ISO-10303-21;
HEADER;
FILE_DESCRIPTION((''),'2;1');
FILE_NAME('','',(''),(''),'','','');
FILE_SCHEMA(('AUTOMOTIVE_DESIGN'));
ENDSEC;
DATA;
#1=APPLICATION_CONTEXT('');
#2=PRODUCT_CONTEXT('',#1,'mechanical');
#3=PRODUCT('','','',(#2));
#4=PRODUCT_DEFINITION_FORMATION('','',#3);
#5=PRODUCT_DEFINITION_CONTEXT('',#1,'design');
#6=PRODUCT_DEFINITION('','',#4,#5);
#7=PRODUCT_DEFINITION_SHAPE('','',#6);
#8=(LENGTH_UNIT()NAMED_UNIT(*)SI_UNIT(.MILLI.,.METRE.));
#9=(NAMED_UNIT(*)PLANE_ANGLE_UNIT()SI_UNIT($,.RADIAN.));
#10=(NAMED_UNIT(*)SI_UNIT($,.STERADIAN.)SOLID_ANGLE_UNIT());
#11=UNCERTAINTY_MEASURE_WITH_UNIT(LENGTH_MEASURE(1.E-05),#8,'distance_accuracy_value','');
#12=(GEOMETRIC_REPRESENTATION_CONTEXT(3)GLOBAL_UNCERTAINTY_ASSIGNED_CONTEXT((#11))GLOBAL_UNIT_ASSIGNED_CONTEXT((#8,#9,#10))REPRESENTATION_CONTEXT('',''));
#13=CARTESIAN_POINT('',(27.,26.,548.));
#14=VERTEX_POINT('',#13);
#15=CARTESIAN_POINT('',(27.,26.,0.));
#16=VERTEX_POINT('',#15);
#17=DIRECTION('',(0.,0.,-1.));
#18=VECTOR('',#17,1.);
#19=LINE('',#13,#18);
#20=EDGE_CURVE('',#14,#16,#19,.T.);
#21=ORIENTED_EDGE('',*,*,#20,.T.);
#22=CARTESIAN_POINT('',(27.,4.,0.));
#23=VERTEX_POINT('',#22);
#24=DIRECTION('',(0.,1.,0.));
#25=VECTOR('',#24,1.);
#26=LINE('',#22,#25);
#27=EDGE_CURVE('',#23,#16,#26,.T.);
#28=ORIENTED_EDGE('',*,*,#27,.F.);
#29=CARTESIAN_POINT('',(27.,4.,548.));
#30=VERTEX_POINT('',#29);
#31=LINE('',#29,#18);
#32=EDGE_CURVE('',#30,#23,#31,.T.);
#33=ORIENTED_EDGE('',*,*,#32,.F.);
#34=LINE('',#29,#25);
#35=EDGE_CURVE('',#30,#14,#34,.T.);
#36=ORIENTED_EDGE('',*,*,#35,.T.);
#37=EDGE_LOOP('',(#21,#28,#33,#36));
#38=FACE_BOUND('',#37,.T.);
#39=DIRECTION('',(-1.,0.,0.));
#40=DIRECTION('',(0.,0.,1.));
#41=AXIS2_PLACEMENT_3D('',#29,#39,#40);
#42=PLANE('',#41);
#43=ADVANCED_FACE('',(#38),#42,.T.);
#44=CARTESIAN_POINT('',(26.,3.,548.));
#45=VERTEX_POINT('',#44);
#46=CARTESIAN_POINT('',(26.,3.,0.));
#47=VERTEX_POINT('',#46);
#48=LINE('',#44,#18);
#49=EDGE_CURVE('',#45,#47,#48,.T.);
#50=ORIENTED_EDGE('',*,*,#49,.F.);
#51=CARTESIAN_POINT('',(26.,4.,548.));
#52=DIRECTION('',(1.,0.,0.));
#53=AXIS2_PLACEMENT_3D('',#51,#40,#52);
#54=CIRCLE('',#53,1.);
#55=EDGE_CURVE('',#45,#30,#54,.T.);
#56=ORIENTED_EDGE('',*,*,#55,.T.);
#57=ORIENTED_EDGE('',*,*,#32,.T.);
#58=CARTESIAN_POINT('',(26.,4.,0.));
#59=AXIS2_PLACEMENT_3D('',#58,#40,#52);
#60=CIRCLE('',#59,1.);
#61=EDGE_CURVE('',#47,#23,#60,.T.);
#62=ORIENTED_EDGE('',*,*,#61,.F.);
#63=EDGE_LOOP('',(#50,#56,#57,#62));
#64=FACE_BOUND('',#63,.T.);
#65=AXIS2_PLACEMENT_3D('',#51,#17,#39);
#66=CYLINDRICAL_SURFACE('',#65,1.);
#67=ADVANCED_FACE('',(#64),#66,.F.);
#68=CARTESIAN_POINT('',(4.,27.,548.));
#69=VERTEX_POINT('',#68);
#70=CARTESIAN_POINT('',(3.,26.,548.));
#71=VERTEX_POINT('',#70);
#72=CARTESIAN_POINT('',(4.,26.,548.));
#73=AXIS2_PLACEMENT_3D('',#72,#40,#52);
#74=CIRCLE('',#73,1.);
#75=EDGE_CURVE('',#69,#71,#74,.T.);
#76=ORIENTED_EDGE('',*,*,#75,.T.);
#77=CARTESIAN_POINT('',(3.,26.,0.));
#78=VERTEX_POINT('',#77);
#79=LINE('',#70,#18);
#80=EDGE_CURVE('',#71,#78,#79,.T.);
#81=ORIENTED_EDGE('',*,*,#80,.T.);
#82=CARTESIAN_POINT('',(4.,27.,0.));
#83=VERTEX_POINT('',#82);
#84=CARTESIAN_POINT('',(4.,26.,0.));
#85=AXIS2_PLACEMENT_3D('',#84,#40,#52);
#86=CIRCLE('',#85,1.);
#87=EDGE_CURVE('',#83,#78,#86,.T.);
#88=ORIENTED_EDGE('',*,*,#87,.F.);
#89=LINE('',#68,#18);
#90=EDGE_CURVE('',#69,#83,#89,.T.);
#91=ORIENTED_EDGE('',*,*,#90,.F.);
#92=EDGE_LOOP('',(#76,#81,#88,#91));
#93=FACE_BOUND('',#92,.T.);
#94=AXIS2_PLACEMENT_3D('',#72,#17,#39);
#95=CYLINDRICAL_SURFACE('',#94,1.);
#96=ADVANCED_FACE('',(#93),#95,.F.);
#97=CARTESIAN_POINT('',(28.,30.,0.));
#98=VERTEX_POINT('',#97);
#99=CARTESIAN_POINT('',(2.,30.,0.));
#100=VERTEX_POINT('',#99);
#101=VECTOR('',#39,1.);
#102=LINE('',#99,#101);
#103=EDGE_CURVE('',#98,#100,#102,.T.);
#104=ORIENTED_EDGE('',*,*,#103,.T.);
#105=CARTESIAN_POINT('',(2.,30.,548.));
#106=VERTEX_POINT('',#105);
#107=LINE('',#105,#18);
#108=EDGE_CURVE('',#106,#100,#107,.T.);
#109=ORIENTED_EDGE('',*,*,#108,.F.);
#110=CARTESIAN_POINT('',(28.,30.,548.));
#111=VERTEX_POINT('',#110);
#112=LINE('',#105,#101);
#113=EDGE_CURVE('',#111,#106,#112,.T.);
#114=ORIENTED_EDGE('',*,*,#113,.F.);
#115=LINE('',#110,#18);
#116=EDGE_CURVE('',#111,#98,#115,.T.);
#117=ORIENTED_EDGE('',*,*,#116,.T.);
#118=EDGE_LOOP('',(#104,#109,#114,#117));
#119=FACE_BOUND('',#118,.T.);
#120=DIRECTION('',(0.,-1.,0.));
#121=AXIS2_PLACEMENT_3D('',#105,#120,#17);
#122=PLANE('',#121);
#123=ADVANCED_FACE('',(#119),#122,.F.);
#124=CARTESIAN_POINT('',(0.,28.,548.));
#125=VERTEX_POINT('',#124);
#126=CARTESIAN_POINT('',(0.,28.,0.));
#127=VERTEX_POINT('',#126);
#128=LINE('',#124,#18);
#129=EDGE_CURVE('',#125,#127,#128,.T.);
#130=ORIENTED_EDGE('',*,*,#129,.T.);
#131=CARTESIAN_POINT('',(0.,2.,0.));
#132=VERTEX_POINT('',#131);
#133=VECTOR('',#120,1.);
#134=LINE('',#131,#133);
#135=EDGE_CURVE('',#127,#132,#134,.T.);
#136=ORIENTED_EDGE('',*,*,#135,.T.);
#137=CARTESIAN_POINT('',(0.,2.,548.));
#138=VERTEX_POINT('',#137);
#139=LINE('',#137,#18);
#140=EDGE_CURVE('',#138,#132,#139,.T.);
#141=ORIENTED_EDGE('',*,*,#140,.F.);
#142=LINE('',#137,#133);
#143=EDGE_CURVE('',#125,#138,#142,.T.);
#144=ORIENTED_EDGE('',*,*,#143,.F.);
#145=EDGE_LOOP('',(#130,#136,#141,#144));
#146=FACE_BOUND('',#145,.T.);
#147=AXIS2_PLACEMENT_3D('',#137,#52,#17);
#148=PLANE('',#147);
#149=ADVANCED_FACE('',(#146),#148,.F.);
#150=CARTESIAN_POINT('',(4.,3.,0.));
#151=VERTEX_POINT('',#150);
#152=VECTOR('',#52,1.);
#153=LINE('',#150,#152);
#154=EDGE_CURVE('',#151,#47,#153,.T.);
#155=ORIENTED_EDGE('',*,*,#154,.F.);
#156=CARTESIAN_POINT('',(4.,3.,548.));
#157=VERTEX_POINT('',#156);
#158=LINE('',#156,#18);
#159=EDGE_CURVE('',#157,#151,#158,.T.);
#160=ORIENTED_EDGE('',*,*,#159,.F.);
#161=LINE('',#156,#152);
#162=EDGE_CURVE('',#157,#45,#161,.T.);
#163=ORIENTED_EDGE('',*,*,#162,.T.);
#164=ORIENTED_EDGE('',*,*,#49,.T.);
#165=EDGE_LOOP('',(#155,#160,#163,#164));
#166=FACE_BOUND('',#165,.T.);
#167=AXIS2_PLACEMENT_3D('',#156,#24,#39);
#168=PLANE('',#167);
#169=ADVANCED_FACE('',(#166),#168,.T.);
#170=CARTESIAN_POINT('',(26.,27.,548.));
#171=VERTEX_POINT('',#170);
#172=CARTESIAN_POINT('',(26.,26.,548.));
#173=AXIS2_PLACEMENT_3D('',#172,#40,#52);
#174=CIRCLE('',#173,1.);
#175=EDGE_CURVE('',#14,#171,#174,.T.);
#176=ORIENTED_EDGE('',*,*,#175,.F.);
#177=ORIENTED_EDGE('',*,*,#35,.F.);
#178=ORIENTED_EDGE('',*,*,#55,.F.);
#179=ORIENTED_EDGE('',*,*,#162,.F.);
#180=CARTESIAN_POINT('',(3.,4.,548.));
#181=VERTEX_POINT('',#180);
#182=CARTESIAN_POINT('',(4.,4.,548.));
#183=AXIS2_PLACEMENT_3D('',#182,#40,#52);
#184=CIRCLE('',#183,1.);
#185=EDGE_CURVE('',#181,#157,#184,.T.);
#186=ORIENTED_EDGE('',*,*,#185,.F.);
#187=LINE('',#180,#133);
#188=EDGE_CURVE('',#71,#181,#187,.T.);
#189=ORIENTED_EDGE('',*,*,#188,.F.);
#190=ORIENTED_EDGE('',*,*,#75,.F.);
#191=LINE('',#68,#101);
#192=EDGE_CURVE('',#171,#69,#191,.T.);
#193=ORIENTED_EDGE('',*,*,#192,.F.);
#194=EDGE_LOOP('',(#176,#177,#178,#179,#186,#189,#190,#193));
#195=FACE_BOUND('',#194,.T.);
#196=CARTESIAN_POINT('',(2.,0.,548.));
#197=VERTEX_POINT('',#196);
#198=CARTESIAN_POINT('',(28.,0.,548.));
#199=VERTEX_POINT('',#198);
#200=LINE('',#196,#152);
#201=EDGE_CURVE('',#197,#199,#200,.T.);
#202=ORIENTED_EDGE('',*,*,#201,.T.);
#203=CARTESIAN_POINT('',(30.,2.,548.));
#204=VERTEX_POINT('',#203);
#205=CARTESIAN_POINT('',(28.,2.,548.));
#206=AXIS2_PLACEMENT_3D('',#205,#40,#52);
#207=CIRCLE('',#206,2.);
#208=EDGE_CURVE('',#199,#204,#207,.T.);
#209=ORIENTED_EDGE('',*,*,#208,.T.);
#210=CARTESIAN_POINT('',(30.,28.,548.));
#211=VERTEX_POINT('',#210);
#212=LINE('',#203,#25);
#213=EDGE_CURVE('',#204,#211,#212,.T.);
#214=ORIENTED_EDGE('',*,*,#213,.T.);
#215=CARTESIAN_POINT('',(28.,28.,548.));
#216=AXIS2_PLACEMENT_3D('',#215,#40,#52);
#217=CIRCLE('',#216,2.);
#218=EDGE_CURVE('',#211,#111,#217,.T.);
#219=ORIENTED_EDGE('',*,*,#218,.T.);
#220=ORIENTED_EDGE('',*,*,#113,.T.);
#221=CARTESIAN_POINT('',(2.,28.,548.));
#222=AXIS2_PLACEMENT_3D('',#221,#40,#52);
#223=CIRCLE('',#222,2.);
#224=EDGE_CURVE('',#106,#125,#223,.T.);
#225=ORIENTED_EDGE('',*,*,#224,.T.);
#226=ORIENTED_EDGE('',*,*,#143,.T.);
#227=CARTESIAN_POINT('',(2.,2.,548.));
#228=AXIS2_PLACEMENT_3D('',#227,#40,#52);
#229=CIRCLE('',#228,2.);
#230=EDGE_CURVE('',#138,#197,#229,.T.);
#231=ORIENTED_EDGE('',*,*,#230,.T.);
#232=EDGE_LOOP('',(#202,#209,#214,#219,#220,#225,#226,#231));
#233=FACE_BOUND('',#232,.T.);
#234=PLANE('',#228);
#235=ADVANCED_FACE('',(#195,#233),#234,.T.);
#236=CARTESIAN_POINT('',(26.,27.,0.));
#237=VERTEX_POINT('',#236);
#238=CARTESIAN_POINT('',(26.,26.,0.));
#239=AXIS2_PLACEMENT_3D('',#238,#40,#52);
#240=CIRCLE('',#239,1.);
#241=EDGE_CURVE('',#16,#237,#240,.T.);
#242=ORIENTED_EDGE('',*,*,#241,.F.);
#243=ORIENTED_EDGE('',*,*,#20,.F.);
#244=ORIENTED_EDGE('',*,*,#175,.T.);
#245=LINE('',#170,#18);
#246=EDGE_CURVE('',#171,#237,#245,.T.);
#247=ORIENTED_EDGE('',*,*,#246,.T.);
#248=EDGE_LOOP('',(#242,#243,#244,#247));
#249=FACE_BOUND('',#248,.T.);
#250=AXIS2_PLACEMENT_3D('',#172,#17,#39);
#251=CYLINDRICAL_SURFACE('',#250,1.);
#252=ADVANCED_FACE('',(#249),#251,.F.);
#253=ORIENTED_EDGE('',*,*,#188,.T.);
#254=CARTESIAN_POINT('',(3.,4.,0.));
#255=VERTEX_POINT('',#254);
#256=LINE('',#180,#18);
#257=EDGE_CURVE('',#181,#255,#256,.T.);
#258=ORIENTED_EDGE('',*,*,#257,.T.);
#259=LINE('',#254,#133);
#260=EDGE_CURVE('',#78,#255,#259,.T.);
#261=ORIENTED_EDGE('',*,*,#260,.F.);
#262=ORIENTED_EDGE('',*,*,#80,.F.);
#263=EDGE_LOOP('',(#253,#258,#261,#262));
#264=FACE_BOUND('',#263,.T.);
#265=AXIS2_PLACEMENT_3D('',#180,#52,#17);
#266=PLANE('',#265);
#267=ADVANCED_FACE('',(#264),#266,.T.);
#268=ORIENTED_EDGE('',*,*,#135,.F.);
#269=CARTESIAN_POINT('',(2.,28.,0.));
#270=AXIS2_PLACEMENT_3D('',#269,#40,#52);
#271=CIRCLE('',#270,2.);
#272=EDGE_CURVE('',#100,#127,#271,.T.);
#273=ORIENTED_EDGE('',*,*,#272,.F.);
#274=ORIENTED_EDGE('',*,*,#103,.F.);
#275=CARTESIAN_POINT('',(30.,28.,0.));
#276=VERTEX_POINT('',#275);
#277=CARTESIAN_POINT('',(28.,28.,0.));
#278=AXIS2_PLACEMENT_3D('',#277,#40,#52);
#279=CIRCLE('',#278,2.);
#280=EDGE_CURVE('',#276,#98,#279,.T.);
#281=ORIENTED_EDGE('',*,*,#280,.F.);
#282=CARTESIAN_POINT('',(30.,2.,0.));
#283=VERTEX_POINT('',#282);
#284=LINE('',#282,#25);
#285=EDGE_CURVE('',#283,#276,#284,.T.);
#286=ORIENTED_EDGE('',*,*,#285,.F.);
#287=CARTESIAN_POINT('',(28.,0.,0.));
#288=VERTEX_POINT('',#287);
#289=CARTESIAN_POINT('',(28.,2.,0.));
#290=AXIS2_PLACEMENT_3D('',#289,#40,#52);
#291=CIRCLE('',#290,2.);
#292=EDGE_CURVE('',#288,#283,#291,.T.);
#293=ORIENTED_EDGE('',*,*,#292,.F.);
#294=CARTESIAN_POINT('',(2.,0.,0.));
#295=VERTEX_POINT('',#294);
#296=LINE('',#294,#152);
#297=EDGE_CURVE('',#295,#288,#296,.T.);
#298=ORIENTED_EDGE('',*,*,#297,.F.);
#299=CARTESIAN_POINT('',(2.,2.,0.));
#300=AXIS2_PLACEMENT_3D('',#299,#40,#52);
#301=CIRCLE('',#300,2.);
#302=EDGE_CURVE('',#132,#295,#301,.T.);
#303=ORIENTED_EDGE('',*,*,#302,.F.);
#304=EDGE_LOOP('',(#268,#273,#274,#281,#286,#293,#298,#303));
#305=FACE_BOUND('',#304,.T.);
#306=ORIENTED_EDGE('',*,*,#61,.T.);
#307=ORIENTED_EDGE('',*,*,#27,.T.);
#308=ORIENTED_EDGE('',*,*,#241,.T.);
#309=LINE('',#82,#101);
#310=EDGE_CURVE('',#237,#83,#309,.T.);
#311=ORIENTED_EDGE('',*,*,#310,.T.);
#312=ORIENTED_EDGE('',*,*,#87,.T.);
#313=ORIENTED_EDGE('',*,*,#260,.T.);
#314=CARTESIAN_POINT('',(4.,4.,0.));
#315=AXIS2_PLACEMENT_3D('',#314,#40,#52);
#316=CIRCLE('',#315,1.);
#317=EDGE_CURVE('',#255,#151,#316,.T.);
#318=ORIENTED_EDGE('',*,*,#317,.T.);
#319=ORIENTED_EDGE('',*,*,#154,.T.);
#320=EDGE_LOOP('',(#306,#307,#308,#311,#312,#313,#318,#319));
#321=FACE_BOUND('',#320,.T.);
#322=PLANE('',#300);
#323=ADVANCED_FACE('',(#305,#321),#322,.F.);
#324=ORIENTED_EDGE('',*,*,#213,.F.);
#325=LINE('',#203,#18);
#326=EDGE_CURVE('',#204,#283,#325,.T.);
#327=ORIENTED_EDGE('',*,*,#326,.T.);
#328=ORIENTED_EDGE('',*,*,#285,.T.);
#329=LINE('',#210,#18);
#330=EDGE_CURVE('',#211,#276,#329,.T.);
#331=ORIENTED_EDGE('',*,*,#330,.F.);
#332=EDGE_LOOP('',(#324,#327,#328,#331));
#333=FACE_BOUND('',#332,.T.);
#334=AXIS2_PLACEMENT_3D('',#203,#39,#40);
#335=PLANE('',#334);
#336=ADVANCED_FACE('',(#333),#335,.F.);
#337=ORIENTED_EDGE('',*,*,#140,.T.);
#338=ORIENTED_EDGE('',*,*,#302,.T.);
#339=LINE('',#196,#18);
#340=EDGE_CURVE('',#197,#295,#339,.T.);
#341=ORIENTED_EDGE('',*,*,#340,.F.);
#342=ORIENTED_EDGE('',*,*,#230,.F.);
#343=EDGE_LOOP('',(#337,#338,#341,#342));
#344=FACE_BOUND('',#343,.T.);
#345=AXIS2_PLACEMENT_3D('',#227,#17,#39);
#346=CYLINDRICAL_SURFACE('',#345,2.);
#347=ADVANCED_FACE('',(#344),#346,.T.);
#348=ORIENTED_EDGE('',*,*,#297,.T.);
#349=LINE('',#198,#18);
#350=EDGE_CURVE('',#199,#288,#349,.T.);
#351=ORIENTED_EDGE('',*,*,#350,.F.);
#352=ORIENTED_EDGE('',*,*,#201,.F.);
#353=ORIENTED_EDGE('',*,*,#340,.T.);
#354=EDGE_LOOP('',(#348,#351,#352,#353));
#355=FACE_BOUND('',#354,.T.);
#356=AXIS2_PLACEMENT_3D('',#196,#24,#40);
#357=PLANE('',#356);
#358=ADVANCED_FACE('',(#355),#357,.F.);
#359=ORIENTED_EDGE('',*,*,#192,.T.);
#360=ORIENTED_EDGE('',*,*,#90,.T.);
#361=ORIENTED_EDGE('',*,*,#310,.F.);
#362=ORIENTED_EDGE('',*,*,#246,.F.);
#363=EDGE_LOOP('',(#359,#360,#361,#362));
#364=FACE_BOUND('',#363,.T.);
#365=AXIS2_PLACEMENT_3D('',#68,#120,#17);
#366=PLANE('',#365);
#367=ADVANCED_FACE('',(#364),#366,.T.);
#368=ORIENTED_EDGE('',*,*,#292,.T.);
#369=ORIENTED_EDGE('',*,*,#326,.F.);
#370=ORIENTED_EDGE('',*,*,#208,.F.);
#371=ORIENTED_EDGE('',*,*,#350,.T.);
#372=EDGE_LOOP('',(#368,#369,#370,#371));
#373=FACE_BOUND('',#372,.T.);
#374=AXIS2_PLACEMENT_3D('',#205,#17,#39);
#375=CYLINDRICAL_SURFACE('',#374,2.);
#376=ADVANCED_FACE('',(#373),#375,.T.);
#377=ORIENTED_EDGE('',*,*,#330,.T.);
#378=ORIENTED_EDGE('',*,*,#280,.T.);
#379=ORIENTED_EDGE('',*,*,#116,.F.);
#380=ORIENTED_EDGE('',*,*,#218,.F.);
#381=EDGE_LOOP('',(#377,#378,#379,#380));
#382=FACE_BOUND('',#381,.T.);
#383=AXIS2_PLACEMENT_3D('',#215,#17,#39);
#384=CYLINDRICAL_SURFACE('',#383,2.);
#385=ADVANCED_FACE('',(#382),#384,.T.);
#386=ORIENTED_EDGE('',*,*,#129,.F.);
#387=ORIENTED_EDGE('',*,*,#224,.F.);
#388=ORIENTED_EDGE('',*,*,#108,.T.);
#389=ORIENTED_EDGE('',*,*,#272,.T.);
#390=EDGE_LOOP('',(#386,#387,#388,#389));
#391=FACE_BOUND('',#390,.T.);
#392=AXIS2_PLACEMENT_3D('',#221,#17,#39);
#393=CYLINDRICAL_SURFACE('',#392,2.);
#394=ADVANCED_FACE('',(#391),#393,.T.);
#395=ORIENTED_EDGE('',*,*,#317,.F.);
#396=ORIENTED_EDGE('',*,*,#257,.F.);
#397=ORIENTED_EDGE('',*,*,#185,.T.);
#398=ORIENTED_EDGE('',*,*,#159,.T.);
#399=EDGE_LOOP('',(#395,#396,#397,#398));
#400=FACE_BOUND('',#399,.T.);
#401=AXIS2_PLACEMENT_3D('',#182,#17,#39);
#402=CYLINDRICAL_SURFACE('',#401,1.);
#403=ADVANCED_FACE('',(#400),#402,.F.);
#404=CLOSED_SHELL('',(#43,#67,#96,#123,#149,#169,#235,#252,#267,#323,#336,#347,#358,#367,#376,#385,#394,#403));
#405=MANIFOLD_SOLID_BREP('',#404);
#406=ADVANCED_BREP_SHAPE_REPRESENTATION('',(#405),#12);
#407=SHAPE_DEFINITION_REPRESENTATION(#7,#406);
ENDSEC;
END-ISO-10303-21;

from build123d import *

# Parameters (mm, degrees)
DODANIE_WYCI_GNI_CIE1_DEPTH = 548


with BuildPart() as part:
    # Szkic1 → Dodanie-wyciągnięcie1 (new body)
    with BuildSketch(Plane.XY):
        with BuildLine():
            Line((2, 0), (28, 0))
            ThreePointArc((28, 0), (29.414213562, 0.585786438), (30, 2))
            Line((30, 2), (30, 28))
            ThreePointArc((30, 28), (29.414213562, 29.414213562), (28, 30))
            Line((28, 30), (2, 30))
            ThreePointArc((2, 30), (0.585786438, 29.414213562), (0, 28))
            Line((0, 28), (0, 2))
            ThreePointArc((0, 2), (0.585786438, 0.585786438), (2, 0))
        make_face()
        with BuildLine():
            Line((4, 3), (26, 3))
            ThreePointArc((26, 3), (26.707106781, 3.292893219), (27, 4))
            Line((27, 4), (27, 26))
            ThreePointArc((27, 26), (26.707106781, 26.707106781), (26, 27))
            Line((26, 27), (4, 27))
            ThreePointArc((4, 27), (3.292893219, 26.707106781), (3, 26))
            Line((3, 26), (3, 4))
            ThreePointArc((3, 4), (3.292893219, 3.292893219), (4, 3))
        make_face(mode=Mode.SUBTRACT)
    extrude(amount=DODANIE_WYCI_GNI_CIE1_DEPTH)


solid = part.part
